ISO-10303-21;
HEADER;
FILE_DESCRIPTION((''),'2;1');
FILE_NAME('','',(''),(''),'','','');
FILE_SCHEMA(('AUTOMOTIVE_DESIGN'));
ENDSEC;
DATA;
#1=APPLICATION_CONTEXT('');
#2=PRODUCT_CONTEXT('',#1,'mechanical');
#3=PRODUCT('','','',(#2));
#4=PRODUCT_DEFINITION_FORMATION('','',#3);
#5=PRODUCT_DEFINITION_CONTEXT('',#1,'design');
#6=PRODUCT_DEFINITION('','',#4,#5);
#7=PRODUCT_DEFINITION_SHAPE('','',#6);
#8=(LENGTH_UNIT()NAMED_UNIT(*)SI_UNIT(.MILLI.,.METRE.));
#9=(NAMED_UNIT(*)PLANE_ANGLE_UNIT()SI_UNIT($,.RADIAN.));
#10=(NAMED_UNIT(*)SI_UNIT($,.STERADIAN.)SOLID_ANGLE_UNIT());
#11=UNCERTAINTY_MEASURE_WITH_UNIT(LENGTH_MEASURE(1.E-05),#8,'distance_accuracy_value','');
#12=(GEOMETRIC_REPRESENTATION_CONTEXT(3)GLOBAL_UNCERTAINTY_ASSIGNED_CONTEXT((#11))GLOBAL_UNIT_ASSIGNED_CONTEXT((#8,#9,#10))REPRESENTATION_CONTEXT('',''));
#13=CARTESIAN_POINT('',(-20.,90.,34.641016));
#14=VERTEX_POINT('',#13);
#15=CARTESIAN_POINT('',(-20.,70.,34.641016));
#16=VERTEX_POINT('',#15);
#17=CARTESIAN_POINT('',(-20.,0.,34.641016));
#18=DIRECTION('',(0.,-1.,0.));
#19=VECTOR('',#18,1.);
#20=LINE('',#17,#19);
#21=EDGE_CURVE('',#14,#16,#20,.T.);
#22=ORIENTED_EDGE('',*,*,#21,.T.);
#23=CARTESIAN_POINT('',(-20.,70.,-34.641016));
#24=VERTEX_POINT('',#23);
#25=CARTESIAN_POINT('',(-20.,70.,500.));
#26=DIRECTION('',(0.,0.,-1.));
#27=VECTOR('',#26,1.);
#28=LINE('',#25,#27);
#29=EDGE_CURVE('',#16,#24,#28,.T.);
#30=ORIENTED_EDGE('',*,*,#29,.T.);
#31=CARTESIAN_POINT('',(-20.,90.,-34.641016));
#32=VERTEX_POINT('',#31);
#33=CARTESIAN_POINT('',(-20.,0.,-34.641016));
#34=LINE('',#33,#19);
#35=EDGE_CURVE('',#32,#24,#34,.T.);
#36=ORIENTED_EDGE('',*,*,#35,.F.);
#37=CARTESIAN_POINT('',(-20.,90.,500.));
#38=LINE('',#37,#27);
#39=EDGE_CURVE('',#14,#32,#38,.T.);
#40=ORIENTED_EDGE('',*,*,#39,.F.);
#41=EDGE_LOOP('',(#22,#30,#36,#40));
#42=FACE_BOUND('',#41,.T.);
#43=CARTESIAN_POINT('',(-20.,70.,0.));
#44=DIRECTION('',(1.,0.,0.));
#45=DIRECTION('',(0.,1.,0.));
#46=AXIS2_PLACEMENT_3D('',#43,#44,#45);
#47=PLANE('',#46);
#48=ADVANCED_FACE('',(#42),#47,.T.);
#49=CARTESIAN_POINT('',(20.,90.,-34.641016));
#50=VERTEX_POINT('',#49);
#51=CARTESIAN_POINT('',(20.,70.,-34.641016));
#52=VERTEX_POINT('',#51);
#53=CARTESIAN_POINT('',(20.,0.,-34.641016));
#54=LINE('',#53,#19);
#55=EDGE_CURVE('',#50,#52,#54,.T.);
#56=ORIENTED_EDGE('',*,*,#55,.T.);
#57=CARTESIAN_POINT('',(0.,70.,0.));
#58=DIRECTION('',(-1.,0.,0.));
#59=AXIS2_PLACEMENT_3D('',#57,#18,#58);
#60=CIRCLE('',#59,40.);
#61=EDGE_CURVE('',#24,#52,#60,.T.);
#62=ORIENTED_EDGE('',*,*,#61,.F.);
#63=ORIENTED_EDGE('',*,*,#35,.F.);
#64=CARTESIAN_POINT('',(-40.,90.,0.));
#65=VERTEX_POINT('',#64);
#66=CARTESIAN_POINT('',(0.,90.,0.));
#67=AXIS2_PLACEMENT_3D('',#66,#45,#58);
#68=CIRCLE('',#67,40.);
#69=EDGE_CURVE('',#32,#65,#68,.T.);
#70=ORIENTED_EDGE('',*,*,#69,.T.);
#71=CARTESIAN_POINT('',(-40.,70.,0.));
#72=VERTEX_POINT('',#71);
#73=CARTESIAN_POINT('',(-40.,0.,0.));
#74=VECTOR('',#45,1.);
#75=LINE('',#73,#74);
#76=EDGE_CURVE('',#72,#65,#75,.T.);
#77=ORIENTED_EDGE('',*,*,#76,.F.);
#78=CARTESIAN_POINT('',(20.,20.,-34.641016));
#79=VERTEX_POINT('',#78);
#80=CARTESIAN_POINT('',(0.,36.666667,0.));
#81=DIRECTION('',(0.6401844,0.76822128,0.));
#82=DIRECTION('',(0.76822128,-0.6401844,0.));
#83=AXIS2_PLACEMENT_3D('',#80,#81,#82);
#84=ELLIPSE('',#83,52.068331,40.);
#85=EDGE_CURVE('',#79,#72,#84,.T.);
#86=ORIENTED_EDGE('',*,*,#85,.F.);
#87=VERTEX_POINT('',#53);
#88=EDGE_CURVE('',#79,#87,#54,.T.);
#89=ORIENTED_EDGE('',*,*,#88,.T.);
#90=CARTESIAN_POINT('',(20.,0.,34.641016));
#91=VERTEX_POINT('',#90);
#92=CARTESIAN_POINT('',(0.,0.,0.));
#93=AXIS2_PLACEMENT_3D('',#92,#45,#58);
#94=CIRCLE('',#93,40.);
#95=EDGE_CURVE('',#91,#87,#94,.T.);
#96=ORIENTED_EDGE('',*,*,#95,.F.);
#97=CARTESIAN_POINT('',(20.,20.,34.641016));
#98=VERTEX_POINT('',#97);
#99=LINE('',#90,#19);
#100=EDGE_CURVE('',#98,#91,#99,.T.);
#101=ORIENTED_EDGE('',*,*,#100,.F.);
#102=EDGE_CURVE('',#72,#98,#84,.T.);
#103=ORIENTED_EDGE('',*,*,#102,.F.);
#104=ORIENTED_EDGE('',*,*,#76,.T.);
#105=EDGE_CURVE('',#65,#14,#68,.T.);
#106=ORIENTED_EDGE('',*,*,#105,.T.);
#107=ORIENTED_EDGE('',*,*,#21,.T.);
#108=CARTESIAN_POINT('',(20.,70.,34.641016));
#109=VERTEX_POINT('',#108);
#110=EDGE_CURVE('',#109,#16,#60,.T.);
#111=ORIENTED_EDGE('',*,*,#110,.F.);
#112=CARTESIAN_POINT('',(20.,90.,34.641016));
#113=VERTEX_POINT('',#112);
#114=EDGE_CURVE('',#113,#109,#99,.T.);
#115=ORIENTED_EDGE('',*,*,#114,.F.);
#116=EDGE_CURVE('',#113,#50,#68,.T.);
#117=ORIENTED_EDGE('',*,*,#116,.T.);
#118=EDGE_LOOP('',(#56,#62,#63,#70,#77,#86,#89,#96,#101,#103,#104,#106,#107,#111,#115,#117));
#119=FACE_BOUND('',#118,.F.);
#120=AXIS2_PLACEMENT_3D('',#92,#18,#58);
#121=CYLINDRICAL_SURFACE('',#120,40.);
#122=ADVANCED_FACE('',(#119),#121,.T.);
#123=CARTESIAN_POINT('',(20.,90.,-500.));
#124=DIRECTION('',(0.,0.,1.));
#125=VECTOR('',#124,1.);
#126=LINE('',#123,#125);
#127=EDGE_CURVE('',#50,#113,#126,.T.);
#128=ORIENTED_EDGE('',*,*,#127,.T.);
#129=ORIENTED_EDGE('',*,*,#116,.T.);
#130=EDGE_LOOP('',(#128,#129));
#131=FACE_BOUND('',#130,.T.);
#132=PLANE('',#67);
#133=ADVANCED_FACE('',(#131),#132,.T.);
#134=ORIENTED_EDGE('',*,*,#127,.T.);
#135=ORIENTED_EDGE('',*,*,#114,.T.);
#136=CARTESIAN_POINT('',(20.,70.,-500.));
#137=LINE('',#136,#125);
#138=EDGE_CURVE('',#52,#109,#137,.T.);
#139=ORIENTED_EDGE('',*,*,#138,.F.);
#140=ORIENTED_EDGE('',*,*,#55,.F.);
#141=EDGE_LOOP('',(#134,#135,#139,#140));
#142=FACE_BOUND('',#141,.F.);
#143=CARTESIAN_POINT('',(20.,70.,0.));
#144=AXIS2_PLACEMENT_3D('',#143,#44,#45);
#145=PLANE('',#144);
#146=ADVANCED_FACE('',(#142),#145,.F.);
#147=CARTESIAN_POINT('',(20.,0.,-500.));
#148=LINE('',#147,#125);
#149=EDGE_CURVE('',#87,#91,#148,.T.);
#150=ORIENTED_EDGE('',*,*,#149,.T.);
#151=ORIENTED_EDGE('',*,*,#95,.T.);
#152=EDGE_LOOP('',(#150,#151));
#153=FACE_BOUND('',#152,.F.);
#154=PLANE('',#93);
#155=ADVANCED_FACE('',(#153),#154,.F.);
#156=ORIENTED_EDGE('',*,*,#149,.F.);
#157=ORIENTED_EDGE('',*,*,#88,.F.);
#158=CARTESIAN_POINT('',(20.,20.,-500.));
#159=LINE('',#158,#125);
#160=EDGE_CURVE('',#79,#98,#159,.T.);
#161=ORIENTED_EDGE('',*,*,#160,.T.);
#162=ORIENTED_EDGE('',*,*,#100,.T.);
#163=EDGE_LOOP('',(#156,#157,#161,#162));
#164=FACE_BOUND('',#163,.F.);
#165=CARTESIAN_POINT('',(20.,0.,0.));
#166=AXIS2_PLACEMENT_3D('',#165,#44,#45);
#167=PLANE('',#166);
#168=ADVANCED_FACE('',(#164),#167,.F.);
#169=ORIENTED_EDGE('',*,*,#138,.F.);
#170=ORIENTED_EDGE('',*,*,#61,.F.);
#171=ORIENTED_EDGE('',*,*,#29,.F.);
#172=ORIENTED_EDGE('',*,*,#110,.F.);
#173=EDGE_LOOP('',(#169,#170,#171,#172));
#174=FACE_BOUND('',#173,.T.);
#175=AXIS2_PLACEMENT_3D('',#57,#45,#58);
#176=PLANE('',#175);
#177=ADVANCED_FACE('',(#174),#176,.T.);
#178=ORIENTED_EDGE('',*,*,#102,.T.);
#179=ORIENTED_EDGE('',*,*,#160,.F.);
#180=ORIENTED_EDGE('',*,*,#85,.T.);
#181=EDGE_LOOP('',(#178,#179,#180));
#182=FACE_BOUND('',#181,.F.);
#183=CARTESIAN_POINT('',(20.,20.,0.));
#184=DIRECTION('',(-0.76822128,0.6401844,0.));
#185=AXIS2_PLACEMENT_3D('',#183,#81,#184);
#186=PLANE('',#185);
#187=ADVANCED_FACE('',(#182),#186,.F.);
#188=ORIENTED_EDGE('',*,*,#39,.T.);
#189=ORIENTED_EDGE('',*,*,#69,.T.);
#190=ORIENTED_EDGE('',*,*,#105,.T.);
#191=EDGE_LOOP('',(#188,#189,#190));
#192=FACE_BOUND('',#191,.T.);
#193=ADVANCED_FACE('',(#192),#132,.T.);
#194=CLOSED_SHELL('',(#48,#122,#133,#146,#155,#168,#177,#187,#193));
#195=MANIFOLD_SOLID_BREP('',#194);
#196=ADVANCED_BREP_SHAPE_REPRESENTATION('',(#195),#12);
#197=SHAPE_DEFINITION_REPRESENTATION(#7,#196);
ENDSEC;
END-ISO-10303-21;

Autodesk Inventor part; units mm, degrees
ref_plane "YZ Plane" through (0, 0, 0) normal (1, 0, 0) x (0, 1, 0)
ref_plane "XZ Plane" through (0, 0, 0) normal (0, 1, 0) x (-1, 0, 0)
ref_plane "XY Plane" through (0, 0, 0) normal (0, 0, 1) x (1, 0, 0)
sketch "Эскиз1" plane through (0, 0, 0) normal (0, 1, 0) x (-1, 0, 0)
  circle A0 centre (0, 0) radius 40
  dimension "d0" = 80
extrude "Выдавливание1" add sketch "Эскиз1" along normal blind 90
sketch "Эскиз2" plane through (0, 0, 0) normal (0, 0, 1) x (1, 0, 0)
  line L0 (0, 70) -> (-20, 70)
  line L1 (-20, 70) -> (-20, 90)
  line L2 (0, 70) -> (20, 70)
  line L3 (20, 70) -> (20, 90)
  line L4 (20, 0) -> (20, 20)
  line L5 (20, 20) -> (-40, 70)
  line L6 (-40, 70) -> (-40, 0)
  line L7 (20, 0) -> (-40, 0)
  line L8 (-40, 0) -> (20, 0)
  line L9 (-20, 90) -> (20, 90)
  point P0 (0, 0)
extrude "Выдавливание2" cut sketch "Эскиз2" against normal mid plane 1000
properties part number "Деталь1вар2"
